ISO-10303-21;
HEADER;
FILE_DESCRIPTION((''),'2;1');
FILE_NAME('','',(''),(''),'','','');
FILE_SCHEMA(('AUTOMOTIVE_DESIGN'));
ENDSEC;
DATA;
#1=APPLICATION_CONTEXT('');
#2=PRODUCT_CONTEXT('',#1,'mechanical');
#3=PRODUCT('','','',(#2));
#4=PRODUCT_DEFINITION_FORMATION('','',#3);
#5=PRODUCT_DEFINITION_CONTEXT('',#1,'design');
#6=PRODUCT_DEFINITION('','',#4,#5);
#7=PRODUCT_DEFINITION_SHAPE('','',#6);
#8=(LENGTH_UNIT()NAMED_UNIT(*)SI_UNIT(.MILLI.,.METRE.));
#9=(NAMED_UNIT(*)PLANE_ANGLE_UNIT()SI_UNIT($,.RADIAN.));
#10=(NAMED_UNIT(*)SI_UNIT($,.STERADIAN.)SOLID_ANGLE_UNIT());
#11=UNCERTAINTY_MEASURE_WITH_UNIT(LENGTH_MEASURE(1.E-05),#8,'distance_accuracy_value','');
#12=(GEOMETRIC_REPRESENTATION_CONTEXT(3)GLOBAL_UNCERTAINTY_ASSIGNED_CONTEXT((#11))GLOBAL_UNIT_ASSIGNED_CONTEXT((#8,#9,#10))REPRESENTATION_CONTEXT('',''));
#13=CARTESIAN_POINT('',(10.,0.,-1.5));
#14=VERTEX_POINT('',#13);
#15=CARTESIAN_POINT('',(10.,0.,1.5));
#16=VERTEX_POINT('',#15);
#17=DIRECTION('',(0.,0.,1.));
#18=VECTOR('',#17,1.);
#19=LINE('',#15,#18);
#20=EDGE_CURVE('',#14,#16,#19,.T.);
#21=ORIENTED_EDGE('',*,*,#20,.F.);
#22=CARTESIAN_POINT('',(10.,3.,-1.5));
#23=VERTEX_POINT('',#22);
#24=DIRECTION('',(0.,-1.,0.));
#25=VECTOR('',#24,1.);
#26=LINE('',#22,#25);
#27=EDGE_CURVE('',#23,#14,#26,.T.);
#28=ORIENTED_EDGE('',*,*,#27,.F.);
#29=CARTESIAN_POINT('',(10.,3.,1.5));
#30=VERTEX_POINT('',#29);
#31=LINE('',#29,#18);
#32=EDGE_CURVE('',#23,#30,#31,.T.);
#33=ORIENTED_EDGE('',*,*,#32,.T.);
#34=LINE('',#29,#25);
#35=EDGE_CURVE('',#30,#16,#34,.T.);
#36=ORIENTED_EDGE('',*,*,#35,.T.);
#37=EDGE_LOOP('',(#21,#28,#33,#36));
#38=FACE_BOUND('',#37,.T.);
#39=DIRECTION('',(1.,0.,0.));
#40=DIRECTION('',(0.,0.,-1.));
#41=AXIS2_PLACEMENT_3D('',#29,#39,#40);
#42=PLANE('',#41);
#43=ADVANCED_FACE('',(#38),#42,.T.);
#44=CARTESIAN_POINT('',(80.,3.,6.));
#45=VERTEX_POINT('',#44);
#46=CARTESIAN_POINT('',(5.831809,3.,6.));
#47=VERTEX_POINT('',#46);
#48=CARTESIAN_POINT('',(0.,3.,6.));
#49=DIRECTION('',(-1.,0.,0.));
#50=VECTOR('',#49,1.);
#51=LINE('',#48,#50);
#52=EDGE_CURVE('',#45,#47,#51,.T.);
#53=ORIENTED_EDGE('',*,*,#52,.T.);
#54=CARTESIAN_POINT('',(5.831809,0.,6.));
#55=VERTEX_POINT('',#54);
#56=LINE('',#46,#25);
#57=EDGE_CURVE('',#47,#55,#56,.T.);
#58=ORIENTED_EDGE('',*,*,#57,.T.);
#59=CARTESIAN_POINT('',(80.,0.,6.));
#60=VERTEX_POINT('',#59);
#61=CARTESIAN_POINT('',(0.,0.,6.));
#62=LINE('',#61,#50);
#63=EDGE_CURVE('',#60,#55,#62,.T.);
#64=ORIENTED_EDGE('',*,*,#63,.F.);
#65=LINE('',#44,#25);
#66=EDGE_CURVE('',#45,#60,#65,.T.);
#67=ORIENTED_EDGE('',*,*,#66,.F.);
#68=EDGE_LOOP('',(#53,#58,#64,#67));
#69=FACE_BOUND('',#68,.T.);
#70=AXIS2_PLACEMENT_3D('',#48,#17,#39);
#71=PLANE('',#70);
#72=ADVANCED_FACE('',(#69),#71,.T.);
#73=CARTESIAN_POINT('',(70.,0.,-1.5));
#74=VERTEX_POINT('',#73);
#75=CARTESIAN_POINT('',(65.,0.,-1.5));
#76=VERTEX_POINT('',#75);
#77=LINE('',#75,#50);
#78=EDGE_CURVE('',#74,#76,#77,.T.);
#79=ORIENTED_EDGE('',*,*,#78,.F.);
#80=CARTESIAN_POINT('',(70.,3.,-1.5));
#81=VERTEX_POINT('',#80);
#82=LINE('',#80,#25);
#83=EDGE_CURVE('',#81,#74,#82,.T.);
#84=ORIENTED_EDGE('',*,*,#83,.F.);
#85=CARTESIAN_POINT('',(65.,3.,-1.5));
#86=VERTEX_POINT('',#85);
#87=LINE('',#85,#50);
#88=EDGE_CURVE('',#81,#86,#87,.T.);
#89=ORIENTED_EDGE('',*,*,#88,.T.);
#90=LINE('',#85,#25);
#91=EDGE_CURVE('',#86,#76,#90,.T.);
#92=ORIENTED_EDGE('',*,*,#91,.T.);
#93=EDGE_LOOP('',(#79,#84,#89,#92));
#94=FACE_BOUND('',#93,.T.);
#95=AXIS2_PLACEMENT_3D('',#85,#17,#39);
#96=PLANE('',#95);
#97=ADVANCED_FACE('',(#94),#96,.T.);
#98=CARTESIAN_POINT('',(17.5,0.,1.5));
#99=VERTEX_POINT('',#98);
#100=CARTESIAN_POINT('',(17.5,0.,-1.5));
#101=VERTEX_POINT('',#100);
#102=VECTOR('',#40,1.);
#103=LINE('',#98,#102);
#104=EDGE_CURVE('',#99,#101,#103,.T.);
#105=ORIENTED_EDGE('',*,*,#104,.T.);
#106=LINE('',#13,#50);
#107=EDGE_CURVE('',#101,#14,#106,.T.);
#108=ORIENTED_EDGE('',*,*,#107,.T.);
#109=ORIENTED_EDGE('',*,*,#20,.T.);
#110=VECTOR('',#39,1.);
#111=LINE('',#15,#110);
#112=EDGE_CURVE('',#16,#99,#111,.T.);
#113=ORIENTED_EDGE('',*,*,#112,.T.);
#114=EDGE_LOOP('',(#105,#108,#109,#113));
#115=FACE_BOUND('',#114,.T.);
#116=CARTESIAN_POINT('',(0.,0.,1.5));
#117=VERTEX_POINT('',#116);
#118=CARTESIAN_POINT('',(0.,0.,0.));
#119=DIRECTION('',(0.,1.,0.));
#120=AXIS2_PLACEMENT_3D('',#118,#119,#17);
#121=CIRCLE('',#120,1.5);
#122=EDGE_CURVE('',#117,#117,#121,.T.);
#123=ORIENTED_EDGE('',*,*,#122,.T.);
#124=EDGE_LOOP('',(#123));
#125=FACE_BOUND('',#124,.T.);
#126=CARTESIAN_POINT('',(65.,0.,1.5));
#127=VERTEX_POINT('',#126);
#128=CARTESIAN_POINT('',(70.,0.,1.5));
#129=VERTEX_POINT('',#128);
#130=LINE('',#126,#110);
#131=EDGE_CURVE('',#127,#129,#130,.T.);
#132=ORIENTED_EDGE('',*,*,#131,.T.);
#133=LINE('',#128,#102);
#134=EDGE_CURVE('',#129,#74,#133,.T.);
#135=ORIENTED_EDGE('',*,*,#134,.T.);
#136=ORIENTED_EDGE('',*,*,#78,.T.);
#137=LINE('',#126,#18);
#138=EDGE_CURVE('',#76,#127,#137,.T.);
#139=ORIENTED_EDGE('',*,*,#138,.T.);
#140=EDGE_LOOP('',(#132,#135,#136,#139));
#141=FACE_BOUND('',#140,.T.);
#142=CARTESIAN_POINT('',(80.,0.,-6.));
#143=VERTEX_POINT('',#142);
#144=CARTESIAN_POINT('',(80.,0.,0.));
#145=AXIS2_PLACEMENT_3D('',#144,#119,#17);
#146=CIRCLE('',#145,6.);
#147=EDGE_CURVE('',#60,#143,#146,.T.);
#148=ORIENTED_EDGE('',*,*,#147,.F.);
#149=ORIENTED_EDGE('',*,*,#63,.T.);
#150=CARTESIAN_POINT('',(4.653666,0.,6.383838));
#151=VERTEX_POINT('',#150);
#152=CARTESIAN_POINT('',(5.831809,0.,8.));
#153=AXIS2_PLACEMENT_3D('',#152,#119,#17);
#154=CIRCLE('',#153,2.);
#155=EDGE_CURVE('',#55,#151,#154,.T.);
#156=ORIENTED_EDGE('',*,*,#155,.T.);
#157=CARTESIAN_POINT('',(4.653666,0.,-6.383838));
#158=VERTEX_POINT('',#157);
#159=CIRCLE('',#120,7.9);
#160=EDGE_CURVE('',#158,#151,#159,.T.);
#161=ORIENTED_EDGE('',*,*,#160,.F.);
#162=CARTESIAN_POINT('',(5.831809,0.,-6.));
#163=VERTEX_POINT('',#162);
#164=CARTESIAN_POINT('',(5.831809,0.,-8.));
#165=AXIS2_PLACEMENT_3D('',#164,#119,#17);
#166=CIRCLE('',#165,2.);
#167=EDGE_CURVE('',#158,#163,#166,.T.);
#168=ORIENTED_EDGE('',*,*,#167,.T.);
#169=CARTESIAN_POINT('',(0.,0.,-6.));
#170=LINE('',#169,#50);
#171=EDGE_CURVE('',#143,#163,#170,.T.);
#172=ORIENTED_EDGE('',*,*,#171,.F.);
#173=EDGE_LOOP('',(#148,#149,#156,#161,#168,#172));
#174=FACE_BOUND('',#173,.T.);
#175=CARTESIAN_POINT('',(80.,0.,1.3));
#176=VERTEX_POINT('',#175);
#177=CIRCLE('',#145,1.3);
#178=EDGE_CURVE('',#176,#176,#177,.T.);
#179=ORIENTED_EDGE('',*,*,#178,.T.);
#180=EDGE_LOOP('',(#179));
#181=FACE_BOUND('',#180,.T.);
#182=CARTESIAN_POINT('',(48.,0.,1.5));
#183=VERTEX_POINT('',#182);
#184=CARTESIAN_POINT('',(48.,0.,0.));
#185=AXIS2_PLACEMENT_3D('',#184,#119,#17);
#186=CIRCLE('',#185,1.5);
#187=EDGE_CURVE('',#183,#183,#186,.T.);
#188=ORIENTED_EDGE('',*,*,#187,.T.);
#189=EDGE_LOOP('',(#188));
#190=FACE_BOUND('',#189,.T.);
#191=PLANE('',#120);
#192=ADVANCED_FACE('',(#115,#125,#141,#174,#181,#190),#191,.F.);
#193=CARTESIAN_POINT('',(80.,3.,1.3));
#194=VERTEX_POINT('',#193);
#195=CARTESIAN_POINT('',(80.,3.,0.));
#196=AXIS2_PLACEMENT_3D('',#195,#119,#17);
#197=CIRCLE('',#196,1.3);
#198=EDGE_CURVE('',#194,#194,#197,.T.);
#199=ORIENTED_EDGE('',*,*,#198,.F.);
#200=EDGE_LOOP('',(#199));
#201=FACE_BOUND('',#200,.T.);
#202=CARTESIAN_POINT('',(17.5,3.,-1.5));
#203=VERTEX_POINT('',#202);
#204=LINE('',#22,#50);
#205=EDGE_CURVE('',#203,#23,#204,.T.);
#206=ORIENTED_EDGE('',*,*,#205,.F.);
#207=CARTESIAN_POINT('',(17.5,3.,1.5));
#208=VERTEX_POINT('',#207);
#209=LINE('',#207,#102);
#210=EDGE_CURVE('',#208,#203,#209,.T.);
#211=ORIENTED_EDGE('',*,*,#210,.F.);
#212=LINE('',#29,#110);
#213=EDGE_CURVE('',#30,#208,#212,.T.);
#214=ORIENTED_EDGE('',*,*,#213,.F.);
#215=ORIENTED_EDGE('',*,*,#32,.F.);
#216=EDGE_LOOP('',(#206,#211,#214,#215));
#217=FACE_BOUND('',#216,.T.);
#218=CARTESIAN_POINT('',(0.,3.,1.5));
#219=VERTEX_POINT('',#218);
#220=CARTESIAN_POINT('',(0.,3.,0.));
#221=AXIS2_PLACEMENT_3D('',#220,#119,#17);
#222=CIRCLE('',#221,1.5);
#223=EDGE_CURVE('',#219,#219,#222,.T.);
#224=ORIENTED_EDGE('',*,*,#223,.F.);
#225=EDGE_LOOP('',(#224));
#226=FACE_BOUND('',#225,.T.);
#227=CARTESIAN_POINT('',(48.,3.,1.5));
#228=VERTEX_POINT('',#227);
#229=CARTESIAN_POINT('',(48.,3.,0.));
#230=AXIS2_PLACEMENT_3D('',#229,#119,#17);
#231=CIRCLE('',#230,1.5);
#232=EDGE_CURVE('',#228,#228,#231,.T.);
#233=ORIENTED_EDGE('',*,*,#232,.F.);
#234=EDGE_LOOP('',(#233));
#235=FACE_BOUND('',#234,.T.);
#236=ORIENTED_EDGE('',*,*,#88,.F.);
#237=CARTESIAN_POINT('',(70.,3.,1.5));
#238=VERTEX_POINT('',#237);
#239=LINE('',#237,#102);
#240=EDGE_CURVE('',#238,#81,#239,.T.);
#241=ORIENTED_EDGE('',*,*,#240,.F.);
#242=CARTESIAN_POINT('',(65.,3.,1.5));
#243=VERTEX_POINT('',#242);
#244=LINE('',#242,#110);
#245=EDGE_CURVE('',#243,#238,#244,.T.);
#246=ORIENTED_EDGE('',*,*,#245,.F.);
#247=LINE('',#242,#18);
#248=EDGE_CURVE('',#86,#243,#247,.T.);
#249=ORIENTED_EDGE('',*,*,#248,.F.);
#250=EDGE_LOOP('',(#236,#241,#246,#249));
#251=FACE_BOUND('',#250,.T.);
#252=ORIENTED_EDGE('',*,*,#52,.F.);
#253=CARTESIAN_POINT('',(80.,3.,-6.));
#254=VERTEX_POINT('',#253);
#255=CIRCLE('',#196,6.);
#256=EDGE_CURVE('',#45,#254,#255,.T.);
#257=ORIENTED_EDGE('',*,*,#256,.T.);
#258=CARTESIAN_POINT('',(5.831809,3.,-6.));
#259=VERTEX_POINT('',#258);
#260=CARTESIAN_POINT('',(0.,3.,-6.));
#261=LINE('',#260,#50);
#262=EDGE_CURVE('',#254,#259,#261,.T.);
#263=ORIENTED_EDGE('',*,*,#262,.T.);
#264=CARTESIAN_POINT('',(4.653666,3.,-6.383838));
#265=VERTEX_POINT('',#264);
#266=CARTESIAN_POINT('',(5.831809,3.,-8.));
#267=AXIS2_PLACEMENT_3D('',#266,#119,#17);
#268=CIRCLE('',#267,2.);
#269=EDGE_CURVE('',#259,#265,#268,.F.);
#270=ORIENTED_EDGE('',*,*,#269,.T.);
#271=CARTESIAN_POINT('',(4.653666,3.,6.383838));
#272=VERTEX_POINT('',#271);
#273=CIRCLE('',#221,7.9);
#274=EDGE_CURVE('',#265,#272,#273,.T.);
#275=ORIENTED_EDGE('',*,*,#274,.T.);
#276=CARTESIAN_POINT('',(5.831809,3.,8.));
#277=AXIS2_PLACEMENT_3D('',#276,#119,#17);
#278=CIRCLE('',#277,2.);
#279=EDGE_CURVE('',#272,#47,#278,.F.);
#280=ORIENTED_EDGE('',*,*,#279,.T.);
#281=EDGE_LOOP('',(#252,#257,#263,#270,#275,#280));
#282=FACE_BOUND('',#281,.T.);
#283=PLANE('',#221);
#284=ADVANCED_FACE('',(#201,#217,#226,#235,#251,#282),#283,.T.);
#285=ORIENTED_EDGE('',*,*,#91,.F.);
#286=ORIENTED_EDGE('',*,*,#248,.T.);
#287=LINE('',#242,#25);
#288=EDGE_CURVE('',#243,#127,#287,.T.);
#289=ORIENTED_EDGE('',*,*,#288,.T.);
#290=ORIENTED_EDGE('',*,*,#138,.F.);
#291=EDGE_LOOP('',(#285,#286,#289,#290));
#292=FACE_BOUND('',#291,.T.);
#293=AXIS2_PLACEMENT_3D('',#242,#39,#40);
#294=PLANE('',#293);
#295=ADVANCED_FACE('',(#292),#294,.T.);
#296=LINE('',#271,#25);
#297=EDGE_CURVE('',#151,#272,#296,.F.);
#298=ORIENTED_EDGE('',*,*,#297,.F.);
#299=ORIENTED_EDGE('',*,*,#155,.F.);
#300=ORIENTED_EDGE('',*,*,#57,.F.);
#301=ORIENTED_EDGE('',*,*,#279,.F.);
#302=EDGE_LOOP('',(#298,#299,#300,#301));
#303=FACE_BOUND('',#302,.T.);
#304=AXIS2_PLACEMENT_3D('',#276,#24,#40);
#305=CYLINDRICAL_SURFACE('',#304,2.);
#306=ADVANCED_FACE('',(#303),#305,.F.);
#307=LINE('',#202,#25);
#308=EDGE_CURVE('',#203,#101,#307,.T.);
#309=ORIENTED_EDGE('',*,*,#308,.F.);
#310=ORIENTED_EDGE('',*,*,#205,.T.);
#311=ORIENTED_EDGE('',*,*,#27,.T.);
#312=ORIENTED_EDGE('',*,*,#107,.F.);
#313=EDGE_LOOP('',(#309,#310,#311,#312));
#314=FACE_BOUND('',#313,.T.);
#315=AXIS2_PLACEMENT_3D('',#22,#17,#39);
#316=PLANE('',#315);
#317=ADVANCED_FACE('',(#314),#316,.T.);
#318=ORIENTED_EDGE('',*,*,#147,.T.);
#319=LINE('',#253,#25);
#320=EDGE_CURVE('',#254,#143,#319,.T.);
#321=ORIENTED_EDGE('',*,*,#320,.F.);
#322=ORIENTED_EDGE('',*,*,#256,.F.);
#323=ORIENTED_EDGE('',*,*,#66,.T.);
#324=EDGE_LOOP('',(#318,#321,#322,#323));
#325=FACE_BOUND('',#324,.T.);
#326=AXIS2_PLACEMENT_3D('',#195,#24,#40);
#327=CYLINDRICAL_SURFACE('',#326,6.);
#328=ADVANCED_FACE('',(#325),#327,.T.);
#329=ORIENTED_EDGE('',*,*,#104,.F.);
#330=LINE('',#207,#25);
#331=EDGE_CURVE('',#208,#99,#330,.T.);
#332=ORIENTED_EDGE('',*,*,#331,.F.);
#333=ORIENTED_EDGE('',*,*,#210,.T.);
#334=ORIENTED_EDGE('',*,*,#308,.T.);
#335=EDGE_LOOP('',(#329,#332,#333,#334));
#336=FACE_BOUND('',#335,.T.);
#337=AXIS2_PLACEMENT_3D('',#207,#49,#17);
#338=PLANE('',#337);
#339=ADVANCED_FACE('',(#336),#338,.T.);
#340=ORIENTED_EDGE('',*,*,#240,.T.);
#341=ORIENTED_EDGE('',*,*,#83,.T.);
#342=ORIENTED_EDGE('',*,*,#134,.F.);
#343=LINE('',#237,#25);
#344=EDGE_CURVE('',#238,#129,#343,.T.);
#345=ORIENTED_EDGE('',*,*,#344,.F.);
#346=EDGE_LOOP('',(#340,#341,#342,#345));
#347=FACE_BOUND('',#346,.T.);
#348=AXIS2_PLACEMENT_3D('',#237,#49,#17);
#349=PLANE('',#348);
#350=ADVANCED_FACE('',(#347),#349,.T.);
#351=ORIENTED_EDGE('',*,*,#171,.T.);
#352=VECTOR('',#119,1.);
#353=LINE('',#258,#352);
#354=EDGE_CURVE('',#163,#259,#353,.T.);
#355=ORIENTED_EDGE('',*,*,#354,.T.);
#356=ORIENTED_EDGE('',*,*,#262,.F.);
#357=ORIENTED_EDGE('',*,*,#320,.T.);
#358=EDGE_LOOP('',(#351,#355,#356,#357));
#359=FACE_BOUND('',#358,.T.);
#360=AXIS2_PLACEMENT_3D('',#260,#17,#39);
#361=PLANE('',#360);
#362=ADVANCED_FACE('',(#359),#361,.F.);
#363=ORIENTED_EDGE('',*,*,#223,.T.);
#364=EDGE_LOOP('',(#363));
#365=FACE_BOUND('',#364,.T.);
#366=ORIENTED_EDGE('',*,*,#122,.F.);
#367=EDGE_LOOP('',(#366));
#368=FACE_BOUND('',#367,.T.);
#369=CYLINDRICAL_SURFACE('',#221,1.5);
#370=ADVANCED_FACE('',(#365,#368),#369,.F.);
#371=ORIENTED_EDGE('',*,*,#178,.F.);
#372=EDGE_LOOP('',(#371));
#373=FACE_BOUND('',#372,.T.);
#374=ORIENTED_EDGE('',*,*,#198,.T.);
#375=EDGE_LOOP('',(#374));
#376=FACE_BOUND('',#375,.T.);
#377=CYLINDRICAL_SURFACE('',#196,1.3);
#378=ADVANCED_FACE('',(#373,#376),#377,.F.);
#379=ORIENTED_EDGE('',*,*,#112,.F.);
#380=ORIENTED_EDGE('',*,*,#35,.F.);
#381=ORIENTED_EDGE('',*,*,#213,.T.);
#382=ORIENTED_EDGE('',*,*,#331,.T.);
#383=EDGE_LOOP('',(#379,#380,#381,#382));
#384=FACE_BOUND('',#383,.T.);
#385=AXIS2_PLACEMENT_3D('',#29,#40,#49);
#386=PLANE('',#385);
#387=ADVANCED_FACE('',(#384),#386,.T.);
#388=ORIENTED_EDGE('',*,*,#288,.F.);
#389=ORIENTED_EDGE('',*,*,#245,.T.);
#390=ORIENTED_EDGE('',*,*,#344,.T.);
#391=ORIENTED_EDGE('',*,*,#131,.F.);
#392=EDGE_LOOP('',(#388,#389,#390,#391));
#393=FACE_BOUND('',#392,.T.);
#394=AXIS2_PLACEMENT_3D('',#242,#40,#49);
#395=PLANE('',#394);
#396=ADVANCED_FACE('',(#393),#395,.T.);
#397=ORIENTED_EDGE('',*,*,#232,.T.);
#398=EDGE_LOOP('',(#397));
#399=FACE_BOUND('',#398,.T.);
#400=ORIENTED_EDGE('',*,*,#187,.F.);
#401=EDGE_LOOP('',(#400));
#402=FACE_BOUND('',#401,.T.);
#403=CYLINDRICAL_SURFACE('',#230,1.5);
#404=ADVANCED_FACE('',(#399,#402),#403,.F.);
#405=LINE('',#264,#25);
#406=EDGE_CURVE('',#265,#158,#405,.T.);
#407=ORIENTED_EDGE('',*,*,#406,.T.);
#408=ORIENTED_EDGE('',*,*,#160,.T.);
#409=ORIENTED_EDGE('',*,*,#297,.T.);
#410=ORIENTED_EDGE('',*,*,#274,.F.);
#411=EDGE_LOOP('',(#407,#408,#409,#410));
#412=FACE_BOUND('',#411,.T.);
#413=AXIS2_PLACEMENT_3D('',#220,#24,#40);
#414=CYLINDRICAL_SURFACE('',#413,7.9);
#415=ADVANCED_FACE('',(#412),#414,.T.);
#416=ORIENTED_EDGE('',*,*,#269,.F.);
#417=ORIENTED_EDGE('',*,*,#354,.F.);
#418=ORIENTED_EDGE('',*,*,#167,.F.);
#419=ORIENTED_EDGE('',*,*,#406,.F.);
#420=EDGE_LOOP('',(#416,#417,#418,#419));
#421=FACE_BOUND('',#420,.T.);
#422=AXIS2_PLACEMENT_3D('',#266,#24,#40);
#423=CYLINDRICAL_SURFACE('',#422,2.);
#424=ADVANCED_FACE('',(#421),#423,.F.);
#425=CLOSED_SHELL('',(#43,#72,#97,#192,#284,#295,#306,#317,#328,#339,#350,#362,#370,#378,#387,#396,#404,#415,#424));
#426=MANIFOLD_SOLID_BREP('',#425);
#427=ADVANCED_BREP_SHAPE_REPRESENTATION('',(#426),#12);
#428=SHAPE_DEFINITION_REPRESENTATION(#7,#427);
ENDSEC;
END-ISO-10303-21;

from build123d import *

# Parameters (mm, degrees)
RESSALTO_EXTRUS_O1_DEPTH     = 3
ESBO_O2_W                    = 5
ESBO_O2_H                    = 3
ESBO_O2_W_2                  = 7.5
CORTE_EXTRUS_O1_DEPTH        = 87.414177078
FURO_DE_DI_METRO_3_0_3_1_D   = 3
FURO_DE_DI_METRO_2_6_2_6_1_D = 2.6
FILETE1_R                    = 2


with BuildPart() as part:
    # Esboço1 → Ressalto-extrusão1 (new body)
    with BuildSketch(Plane(origin=(0, 0, 0), x_dir=(1, 0, 0), z_dir=(0, 1, 0))):
        with BuildLine():
            Line((80, 6), (5.139066063, 6))
            ThreePointArc((5.139066063, 6), (-7.9, 0), (5.139066063, -6))
            Line((5.139066063, -6), (80, -6))
            ThreePointArc((80, -6), (86, 0), (80, 6))
        make_face()
    extrude(amount=RESSALTO_EXTRUS_O1_DEPTH)

    # Esboço2 → Corte-extrusão1 (cut, through all)
    with BuildSketch(Plane(origin=(0, 0, 0), x_dir=(1, 0, 0), z_dir=(0, 1, 0))):
        with Locations((67.5, 0)):
            Rectangle(ESBO_O2_W, ESBO_O2_H)
        with Locations((13.75, 0)):
            Rectangle(ESBO_O2_W_2, ESBO_O2_H)
    extrude(amount=CORTE_EXTRUS_O1_DEPTH, mode=Mode.SUBTRACT)

    # Furo de diâmetro Ø3.0 (3)1 (through all)
    with Locations(Plane(origin=(0, 3, 0), x_dir=(1, 0, 0), z_dir=(0, 1, 0))):
        with Locations((0, 0), (48, 0)):
            Hole(FURO_DE_DI_METRO_3_0_3_1_D / 2)

    # Furo de diâmetro Ø2.6 (2.6)1 (through all)
    with Locations(Plane(origin=(0, 3, 0), x_dir=(1, 0, 0), z_dir=(0, 1, 0))):
        with Locations((80, 0)):
            Hole(FURO_DE_DI_METRO_2_6_2_6_1_D / 2)

    # Filete1
    filete1_edges = [part.edges().sort_by_distance(p)[0] for p in [
        (5.139066063, 1.5, 6),
        (5.139066063, 1.5, -6),
    ]]
    fillet(filete1_edges, radius=FILETE1_R)


solid = part.part
